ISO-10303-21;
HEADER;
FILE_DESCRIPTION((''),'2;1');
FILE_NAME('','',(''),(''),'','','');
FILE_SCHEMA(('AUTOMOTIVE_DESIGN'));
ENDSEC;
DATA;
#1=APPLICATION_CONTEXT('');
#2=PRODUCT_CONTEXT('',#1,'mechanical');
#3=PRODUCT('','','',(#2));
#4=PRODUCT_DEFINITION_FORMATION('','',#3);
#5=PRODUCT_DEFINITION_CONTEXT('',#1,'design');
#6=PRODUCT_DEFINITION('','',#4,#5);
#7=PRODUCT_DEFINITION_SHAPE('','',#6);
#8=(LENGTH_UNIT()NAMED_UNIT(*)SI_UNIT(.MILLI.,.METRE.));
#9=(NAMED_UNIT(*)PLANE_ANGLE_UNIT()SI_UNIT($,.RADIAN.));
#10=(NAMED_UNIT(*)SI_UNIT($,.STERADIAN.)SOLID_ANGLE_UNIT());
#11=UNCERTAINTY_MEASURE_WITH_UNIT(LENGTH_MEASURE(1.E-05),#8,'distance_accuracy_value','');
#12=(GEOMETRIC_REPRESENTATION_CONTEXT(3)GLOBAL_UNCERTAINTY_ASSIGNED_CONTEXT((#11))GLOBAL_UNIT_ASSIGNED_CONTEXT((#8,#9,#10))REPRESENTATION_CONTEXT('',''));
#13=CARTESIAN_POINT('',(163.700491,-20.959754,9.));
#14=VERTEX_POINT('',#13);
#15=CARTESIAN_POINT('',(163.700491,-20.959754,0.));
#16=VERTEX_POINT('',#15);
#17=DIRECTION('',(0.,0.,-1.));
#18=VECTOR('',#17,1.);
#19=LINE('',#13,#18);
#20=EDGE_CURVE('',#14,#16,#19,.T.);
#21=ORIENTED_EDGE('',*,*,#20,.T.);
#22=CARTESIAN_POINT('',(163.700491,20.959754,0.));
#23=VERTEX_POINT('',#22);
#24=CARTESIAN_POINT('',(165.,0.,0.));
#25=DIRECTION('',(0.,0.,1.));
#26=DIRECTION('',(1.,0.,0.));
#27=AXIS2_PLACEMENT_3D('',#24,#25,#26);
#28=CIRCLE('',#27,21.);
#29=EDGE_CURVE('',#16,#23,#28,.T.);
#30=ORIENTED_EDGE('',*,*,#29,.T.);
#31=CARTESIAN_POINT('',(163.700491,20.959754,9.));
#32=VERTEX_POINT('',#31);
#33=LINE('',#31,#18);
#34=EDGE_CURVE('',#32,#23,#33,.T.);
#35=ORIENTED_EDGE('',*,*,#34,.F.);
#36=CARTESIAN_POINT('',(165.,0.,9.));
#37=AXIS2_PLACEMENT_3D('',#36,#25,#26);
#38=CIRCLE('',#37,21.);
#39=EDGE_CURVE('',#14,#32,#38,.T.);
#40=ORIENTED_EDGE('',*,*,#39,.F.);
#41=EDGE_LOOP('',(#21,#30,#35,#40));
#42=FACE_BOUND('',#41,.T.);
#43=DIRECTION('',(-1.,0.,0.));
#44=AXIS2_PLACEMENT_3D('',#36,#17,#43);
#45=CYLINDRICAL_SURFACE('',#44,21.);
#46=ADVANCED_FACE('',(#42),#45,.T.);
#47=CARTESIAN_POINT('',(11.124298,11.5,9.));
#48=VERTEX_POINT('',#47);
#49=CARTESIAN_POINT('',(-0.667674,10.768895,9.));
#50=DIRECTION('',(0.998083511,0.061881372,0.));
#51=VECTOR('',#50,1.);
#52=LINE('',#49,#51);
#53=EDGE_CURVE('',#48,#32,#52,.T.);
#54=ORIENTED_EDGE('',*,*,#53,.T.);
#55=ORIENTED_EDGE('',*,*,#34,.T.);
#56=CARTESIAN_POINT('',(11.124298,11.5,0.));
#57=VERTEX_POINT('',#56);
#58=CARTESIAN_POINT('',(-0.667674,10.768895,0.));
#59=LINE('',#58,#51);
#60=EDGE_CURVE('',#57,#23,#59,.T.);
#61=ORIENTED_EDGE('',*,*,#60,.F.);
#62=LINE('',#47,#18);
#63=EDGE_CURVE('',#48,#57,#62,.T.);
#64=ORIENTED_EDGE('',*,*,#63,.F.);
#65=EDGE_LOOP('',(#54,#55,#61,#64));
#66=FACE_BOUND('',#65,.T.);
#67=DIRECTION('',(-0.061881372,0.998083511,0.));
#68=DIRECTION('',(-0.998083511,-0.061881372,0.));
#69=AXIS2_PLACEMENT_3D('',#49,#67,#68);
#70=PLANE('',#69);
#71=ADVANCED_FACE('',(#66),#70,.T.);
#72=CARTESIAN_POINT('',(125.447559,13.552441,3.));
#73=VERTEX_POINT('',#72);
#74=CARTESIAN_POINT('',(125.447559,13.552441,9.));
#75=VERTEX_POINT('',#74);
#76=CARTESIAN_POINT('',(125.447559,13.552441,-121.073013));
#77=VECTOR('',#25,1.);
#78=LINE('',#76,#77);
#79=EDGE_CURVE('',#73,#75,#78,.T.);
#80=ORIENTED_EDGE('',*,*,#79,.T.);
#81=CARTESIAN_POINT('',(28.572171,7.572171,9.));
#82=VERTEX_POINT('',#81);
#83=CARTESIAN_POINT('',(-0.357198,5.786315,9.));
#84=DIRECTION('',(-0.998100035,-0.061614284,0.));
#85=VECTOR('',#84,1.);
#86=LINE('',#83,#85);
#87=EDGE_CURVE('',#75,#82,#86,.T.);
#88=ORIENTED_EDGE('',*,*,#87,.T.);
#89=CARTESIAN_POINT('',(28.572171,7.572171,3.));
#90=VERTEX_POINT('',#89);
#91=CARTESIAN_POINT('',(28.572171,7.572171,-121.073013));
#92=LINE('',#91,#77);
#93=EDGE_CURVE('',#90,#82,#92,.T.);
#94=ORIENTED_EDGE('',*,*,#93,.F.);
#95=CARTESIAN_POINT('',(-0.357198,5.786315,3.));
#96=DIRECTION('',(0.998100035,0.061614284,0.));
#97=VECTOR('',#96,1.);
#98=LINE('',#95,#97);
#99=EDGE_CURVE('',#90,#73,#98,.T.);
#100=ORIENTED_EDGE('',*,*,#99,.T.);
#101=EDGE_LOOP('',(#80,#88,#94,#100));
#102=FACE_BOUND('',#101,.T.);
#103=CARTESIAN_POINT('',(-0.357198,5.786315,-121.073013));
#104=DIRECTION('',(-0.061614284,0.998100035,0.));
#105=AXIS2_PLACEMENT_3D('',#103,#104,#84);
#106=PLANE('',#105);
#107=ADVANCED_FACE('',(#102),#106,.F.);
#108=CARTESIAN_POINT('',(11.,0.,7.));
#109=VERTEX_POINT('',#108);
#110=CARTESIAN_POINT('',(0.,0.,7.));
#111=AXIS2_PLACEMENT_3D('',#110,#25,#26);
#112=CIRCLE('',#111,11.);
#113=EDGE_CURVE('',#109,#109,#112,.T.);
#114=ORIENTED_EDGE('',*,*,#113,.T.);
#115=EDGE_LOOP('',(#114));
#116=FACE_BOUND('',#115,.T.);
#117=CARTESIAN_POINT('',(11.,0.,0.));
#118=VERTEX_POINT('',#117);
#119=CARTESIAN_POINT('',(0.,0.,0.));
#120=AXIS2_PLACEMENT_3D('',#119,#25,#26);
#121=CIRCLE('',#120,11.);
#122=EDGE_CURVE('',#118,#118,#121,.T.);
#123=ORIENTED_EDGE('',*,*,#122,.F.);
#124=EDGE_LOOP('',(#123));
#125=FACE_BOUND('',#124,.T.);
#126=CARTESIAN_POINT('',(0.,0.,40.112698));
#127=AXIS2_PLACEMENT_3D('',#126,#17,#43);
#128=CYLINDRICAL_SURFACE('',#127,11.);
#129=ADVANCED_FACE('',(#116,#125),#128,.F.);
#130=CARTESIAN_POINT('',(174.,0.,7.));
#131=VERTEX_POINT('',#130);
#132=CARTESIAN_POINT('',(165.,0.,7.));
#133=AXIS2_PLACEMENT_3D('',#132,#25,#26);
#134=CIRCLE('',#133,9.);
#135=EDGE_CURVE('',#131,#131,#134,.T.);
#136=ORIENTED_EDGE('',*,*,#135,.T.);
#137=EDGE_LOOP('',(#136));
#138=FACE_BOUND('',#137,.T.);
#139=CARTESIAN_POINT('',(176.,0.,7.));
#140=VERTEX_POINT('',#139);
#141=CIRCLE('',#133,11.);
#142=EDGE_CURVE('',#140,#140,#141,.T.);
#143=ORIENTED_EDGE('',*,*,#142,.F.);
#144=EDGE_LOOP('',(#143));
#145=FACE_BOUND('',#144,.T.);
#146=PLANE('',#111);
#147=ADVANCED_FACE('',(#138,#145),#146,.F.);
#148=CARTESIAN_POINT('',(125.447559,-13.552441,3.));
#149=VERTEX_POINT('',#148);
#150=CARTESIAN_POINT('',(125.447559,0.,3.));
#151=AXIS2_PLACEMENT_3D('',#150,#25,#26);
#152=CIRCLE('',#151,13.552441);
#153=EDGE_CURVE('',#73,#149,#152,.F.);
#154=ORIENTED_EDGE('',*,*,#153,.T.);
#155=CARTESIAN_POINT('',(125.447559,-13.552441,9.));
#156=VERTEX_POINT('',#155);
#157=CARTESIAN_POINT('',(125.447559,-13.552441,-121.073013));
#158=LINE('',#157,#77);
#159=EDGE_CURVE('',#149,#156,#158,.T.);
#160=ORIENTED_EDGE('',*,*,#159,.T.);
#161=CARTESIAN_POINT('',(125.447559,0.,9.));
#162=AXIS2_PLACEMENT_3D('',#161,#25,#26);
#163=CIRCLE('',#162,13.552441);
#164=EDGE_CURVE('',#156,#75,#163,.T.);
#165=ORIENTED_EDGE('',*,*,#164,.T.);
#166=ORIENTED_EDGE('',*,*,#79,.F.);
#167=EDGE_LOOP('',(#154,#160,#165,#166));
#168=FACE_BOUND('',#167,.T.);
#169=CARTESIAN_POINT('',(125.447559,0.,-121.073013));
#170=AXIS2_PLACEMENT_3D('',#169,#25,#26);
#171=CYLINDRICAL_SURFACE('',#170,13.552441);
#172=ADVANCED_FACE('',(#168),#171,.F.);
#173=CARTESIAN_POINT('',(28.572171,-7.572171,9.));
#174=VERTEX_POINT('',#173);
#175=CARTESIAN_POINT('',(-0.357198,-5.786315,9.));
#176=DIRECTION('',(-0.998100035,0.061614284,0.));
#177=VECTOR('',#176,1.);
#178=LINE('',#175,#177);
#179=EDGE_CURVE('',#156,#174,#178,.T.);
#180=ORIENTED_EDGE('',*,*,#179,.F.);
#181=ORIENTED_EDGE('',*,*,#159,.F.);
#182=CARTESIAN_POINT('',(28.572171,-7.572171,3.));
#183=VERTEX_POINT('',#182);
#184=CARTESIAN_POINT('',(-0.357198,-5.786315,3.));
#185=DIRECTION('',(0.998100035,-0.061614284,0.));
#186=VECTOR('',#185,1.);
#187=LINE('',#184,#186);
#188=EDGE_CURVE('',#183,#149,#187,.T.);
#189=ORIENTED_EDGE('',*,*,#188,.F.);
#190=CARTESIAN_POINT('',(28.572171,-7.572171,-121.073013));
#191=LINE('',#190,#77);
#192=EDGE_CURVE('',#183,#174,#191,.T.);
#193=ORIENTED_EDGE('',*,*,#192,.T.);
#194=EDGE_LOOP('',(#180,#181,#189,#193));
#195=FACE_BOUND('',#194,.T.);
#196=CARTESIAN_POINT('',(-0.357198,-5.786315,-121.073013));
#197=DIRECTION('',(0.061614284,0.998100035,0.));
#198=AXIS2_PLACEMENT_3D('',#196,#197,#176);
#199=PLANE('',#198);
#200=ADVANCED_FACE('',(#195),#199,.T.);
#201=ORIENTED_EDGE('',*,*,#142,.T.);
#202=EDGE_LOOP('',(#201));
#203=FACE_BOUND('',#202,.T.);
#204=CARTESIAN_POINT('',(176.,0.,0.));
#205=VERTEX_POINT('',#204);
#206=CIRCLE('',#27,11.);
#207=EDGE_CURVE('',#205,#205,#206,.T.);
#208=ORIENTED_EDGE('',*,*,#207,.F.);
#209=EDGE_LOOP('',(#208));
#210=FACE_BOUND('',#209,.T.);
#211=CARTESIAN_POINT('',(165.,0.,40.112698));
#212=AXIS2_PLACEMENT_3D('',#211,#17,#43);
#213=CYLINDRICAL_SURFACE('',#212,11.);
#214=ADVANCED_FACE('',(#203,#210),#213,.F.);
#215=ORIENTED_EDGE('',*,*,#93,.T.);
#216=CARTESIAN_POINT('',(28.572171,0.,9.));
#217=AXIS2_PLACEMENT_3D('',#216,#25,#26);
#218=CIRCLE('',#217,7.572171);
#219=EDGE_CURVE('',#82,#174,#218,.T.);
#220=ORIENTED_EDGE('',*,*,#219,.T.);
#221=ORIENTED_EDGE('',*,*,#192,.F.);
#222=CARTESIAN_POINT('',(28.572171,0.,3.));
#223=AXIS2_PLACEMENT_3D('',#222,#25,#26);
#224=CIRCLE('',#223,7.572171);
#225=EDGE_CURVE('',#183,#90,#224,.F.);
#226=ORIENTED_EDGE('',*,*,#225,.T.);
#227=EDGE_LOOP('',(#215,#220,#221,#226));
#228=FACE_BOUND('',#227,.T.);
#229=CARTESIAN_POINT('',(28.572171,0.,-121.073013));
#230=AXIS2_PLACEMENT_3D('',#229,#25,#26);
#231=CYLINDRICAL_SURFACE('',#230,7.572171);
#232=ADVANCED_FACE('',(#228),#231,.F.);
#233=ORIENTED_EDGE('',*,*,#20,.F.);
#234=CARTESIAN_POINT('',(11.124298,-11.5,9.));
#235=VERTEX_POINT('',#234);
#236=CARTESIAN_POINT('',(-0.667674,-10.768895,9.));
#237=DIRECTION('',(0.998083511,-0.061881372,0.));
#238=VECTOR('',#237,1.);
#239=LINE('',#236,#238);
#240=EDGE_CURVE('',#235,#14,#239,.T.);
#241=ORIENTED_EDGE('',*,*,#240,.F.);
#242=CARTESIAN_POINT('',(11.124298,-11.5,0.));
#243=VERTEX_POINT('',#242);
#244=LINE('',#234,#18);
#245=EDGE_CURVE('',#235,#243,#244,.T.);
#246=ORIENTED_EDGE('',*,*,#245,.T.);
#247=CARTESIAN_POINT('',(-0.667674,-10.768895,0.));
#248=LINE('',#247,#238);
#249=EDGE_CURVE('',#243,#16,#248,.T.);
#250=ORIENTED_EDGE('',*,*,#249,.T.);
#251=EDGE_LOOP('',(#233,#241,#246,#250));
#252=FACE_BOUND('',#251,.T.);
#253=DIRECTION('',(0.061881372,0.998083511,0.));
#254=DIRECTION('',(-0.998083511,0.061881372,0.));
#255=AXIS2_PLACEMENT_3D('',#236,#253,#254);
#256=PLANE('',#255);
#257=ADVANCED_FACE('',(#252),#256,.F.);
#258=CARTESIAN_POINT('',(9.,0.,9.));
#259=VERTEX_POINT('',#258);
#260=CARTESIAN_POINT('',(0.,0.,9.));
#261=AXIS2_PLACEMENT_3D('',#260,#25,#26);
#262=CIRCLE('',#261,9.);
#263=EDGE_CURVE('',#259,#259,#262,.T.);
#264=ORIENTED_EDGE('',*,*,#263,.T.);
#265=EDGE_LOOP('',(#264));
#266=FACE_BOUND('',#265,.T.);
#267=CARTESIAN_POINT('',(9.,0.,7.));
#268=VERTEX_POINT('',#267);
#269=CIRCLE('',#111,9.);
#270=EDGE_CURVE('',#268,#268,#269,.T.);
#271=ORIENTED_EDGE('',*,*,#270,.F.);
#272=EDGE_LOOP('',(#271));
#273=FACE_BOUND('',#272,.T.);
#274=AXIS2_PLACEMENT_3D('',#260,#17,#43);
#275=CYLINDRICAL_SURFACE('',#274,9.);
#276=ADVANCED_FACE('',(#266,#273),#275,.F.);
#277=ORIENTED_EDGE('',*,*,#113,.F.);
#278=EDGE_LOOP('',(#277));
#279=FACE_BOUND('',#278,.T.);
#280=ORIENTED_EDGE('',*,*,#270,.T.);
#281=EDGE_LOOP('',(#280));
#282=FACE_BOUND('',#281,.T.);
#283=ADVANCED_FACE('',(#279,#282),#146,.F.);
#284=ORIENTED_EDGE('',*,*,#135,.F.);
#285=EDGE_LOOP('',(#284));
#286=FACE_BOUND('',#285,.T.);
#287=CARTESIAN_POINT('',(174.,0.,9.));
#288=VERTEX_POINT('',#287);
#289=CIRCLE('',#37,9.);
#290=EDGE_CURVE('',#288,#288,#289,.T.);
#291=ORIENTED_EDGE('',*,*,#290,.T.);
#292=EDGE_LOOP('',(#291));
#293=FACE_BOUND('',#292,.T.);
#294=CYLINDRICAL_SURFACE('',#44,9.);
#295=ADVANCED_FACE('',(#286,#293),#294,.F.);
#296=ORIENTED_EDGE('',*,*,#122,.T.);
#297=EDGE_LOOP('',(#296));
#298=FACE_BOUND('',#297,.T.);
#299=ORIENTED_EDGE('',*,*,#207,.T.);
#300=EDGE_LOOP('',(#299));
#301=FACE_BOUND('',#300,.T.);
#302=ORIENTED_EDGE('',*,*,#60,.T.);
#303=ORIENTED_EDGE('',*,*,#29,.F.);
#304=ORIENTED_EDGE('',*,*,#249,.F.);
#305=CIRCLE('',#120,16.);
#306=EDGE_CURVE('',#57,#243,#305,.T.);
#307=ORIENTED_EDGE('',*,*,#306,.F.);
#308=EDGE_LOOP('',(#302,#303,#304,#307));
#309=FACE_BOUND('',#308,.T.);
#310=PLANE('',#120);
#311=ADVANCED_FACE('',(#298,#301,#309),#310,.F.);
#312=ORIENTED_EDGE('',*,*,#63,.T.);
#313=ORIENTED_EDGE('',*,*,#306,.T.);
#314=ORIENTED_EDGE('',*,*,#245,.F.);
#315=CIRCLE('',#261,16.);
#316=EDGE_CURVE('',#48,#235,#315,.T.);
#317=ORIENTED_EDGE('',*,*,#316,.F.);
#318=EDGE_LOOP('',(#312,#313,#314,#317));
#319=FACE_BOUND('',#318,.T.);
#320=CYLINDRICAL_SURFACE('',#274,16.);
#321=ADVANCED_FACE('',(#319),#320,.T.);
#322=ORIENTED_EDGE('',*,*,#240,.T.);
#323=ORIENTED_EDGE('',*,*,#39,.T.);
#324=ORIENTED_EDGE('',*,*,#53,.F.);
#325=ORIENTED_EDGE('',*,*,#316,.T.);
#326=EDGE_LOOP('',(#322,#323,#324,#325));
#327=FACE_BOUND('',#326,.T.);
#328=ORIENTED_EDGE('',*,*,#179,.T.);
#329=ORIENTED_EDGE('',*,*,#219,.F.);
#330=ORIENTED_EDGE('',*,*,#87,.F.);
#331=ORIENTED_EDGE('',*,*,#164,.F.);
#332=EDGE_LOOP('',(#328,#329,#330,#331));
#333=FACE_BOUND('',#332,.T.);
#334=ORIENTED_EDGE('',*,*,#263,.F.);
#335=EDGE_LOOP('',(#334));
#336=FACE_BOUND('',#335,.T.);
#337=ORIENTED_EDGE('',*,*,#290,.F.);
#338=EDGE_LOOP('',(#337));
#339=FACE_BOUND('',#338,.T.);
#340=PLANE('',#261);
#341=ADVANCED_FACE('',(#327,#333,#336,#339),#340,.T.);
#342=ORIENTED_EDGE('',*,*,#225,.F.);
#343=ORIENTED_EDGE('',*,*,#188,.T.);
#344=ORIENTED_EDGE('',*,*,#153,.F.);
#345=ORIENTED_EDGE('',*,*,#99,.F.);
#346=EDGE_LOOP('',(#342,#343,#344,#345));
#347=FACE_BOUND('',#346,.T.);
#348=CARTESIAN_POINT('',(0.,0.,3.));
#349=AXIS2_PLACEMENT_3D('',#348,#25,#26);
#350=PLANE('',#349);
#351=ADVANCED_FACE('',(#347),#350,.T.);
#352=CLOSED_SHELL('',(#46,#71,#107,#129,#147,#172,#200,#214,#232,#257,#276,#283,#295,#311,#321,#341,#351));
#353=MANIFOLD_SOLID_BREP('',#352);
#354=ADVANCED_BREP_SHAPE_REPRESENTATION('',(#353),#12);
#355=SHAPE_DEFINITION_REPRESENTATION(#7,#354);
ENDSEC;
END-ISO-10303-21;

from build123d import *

# Parameters (mm, degrees)
BOSS_EXTRUDE1_DEPTH = 9
SKETCH6_15_R        = 9
CUT_EXTRUDE1_DEPTH  = 188.397972241
SKETCH6_17_R        = 11
CUT_EXTRUDE2_DEPTH  = 7
CUT_EXTRUDE3_START  = 9
CUT_EXTRUDE3_DEPTH  = 6


with BuildPart() as part:
    # Sketch6 → Boss-Extrude1 (new body)
    with BuildSketch(Plane.XY):
        with BuildLine():
            Line((11.124297731, -11.5), (163.700491182, -20.95975374))
            ThreePointArc((163.700491182, -20.95975374), (186, 0), (163.700491182, 20.95975374))
            Line((163.700491182, 20.95975374), (11.124297731, 11.5))
            ThreePointArc((11.124297731, 11.5), (-16, 0), (11.124297731, -11.5))
        make_face()
    extrude(amount=BOSS_EXTRUDE1_DEPTH)

    # Sketch6<15> → Cut-Extrude1 (cut, through all)
    with BuildSketch(Plane.XY):
        with Locations((165, 0)):
            Circle(SKETCH6_15_R)
        Circle(SKETCH6_15_R)
    extrude(amount=CUT_EXTRUDE1_DEPTH, mode=Mode.SUBTRACT)

    # Sketch6<17> → Cut-Extrude2 (cut)
    with BuildSketch(Plane.XY):
        with Locations((165, 0)):
            Circle(SKETCH6_17_R)
        Circle(SKETCH6_17_R)
    extrude(amount=CUT_EXTRUDE2_DEPTH, mode=Mode.SUBTRACT)

    # Sketch6<18> → Cut-Extrude3 (cut)
    with BuildSketch(Plane.XY.offset(CUT_EXTRUDE3_START)):
        with BuildLine():
            Line((28.572170682, 7.572170682), (125.447559308, 13.552440692))
            ThreePointArc((125.447559308, 13.552440692), (139, 0), (125.447559308, -13.552440692))
            Line((125.447559308, -13.552440692), (28.572170682, -7.572170682))
            ThreePointArc((28.572170682, -7.572170682), (21, 0), (28.572170682, 7.572170682))
        make_face()
    extrude(amount=-CUT_EXTRUDE3_DEPTH, mode=Mode.SUBTRACT)


solid = part.part
